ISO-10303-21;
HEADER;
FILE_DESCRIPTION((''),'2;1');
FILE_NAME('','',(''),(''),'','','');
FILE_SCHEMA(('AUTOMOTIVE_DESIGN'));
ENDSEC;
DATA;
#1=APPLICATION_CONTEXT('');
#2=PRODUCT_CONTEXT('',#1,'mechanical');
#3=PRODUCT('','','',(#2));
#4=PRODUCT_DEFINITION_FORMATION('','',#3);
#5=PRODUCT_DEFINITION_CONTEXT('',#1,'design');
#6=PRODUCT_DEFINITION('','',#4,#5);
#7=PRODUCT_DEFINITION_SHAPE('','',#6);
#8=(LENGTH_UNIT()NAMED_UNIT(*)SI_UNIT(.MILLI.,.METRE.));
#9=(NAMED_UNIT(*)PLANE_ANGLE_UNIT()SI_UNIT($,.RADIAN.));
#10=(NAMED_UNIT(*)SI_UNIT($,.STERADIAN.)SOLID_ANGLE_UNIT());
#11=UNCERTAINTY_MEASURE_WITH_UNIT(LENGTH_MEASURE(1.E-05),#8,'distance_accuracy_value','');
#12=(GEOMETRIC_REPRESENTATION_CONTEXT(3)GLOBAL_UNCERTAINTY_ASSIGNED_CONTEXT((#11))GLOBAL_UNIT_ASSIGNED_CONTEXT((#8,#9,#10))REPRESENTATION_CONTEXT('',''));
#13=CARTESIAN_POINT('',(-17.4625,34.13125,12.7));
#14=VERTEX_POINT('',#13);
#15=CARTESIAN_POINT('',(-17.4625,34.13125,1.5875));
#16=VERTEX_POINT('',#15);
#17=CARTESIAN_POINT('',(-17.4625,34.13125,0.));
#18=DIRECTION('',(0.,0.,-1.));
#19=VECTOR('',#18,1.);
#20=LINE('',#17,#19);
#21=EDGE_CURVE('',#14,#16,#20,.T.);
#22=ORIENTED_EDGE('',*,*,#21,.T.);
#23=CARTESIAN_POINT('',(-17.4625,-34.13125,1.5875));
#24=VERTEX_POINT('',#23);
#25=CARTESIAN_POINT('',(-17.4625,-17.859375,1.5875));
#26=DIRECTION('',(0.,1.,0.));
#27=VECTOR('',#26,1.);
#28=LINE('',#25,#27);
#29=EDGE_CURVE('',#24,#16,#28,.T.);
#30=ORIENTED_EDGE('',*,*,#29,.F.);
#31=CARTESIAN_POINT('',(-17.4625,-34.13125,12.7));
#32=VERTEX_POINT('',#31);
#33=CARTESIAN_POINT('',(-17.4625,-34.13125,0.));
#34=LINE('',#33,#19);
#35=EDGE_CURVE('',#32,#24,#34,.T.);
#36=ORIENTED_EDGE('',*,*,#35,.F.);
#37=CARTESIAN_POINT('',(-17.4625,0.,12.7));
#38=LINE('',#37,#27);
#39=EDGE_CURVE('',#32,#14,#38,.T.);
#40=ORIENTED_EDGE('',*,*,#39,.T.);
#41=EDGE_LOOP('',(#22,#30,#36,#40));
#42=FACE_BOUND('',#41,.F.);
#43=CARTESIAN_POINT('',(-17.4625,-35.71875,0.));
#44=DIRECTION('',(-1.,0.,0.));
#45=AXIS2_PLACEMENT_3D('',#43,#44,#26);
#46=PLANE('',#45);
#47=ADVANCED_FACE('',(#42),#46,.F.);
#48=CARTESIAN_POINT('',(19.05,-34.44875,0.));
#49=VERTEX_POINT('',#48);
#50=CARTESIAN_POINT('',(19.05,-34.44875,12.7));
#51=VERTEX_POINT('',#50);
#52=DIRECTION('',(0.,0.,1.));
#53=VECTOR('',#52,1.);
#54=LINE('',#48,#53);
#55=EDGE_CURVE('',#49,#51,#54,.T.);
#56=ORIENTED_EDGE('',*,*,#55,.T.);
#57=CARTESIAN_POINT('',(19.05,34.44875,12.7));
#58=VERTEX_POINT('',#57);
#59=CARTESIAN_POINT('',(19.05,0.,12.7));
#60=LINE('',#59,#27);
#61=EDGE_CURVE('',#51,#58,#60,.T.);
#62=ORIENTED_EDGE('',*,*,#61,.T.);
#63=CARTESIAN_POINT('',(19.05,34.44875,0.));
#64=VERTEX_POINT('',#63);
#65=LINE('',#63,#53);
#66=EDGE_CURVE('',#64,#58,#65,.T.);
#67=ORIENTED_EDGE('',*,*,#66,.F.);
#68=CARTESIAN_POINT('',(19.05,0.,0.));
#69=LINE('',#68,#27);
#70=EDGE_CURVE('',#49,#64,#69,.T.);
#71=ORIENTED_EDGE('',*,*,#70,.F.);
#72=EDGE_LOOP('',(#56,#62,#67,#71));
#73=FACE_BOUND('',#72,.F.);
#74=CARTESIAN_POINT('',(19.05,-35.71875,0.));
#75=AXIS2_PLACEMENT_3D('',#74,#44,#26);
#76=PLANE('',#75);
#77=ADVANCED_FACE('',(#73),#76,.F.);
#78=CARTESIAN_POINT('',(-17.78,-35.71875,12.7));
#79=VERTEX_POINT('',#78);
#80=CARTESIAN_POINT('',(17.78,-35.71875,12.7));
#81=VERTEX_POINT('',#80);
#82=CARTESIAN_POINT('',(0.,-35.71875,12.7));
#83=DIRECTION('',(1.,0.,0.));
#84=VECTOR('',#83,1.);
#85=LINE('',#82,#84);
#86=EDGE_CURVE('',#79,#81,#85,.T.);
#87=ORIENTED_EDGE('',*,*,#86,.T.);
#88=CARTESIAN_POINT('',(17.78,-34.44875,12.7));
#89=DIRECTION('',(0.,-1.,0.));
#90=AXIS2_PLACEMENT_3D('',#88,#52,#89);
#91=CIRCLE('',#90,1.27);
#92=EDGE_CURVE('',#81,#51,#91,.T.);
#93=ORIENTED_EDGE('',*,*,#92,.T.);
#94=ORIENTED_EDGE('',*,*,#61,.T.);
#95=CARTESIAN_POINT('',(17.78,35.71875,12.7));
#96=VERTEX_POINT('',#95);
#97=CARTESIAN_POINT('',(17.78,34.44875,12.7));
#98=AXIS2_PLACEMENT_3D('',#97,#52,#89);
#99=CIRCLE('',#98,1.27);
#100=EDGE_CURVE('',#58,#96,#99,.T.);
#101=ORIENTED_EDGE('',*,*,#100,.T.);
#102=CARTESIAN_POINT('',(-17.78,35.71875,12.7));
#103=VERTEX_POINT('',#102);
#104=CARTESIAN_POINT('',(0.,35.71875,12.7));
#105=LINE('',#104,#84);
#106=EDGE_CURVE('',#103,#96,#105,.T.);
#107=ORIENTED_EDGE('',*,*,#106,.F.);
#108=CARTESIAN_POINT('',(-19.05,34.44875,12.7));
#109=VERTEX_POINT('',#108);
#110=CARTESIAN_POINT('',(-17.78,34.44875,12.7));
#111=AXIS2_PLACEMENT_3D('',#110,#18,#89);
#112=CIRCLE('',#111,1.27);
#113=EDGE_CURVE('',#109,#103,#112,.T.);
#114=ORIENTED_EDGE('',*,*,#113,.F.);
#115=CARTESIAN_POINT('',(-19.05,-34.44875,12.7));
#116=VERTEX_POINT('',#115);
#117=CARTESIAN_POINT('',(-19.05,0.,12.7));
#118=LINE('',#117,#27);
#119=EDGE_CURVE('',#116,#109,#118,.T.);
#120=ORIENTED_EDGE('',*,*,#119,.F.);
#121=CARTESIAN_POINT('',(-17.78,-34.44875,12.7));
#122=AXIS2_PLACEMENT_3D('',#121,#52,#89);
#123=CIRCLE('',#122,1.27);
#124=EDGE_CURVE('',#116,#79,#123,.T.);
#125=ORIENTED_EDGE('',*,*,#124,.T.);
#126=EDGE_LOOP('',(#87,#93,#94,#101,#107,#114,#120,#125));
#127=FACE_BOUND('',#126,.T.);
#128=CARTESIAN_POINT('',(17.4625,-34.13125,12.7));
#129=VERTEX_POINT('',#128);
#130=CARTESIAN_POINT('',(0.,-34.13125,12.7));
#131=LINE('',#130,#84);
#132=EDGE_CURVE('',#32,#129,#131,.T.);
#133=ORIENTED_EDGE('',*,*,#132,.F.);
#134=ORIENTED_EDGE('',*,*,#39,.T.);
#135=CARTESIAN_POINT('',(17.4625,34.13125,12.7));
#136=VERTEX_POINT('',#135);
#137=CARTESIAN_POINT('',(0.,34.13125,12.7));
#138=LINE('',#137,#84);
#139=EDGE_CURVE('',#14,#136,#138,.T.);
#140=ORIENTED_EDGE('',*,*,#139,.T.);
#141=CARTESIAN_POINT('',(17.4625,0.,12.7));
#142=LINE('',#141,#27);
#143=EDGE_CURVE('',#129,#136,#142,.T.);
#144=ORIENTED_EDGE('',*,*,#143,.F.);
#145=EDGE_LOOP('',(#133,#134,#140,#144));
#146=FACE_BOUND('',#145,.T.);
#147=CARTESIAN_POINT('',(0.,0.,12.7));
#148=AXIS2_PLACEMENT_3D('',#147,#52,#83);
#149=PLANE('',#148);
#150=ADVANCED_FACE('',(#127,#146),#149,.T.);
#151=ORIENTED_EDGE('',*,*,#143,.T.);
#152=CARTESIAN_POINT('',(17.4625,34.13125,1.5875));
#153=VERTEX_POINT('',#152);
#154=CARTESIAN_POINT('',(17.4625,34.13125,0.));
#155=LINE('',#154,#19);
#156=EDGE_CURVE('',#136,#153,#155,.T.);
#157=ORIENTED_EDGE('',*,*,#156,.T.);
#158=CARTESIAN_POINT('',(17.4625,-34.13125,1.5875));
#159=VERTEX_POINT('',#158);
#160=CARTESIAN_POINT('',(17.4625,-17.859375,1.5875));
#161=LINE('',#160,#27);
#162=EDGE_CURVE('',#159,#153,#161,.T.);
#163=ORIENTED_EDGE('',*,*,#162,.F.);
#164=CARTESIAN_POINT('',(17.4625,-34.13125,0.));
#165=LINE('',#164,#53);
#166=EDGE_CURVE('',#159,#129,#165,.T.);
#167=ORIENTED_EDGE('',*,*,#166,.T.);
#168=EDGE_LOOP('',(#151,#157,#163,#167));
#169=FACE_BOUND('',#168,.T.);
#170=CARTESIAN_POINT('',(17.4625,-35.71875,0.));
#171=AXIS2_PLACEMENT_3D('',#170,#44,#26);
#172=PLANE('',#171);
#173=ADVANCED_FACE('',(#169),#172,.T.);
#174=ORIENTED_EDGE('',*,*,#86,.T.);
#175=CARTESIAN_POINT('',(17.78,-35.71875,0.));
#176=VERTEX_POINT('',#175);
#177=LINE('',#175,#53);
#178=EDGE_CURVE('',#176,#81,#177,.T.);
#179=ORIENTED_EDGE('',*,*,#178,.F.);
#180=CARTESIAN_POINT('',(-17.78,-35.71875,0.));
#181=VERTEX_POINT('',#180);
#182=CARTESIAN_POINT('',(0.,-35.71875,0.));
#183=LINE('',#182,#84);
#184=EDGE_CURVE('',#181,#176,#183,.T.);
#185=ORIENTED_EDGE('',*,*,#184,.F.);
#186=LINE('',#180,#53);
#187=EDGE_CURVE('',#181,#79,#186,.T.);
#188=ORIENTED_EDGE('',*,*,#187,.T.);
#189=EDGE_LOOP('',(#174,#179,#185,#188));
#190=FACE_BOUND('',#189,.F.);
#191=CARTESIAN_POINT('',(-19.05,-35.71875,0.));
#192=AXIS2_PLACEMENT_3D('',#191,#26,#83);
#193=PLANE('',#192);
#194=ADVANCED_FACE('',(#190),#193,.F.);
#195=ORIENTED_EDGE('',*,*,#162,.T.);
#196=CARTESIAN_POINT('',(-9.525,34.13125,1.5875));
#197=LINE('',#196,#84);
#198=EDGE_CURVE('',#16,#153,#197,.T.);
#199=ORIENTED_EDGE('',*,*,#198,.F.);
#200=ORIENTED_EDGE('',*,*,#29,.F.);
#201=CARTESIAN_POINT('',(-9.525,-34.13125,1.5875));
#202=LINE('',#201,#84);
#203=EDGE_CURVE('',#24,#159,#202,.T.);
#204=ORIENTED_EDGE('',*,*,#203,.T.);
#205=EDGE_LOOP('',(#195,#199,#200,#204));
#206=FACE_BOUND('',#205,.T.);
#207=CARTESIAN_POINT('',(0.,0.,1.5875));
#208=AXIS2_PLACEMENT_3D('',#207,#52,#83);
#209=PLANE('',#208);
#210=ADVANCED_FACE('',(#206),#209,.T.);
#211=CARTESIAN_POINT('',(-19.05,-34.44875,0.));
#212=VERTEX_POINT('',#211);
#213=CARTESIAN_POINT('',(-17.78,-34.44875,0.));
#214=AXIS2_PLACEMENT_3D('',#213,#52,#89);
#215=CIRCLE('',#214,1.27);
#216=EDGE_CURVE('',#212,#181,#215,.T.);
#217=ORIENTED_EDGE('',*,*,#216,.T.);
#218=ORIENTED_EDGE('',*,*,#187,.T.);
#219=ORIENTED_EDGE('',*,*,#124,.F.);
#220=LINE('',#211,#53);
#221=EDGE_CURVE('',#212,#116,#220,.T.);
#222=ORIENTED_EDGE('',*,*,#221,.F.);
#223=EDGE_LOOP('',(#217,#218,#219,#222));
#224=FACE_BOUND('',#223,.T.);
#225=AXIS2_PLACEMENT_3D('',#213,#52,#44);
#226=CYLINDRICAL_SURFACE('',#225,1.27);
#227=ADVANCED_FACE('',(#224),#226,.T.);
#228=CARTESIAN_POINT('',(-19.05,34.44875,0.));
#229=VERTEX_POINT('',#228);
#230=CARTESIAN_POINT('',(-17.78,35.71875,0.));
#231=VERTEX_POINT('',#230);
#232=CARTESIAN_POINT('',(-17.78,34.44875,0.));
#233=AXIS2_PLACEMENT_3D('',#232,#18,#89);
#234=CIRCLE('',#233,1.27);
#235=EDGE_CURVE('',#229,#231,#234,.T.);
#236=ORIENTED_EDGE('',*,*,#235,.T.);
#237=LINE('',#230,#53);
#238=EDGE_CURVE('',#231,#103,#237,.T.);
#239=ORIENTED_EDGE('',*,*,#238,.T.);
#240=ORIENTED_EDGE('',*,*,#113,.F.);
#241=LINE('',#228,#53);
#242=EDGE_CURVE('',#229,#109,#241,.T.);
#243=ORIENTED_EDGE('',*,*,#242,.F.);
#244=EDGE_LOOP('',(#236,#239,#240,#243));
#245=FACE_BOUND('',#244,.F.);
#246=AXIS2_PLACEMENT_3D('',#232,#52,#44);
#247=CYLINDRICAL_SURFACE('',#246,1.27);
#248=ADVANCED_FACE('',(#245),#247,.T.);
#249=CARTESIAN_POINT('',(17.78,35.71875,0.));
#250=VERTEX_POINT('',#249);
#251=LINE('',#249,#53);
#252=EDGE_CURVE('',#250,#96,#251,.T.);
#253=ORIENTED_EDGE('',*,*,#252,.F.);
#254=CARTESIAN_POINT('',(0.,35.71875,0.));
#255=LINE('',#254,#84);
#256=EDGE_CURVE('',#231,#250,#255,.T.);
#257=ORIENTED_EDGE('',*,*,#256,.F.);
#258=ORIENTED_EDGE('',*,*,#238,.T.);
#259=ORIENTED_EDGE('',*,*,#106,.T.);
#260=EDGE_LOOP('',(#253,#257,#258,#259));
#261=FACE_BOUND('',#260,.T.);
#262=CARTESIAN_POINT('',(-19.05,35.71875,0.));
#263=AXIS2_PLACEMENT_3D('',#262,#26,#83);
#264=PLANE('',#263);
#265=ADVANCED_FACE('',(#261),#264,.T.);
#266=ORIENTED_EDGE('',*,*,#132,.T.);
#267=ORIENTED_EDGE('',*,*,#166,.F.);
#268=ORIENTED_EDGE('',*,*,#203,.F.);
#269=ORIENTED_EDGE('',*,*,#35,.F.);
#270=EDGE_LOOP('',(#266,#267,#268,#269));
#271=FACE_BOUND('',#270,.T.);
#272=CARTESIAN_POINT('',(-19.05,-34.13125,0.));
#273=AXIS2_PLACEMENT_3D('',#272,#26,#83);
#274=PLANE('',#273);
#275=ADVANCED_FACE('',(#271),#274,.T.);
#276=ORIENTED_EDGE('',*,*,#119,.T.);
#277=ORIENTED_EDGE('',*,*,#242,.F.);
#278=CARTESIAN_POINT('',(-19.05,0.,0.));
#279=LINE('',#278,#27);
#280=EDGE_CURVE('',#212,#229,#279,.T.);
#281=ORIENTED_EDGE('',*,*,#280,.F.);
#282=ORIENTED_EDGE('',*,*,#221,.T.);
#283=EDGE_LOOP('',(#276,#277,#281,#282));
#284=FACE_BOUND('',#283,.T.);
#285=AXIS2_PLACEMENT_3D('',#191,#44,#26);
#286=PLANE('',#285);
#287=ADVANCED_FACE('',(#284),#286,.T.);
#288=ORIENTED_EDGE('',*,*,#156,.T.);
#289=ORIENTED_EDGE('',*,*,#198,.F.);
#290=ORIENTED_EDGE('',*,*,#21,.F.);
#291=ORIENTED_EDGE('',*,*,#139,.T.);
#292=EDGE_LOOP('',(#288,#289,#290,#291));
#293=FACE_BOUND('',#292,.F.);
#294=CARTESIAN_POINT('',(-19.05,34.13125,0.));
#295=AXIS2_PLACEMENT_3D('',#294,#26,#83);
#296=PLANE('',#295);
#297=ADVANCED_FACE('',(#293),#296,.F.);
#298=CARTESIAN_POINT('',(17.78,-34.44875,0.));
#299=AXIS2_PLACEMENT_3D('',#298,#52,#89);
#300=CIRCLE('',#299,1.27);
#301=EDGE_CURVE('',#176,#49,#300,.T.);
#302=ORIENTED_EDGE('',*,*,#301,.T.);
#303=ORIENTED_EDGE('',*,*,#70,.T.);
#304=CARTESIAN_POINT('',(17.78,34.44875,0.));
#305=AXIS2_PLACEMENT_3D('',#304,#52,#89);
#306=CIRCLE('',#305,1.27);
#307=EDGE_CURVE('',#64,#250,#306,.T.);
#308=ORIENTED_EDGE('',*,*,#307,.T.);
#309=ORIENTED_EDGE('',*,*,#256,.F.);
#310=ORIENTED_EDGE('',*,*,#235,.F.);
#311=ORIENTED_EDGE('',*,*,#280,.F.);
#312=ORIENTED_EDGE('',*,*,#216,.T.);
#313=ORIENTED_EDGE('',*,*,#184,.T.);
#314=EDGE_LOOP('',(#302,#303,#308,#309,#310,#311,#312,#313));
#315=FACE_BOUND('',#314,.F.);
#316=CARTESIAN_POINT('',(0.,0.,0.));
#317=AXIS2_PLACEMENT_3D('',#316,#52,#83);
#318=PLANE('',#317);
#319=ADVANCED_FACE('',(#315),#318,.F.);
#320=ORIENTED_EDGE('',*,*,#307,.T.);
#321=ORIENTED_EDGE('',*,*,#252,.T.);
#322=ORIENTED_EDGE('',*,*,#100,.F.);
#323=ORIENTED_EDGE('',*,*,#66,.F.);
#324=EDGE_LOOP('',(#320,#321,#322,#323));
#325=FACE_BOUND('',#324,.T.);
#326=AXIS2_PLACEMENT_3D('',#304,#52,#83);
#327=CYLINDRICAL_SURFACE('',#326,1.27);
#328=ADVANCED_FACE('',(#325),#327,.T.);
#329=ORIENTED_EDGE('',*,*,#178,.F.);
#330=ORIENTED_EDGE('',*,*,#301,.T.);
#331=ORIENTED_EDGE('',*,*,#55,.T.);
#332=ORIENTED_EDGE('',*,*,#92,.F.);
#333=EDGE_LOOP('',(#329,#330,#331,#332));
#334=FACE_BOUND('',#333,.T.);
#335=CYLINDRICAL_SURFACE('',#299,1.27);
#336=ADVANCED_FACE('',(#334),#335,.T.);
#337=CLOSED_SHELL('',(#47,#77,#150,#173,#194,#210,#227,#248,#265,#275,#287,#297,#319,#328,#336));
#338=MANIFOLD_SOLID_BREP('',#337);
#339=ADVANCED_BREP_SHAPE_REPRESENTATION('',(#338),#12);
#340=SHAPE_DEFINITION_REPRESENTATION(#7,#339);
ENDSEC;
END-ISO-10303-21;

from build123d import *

# Parameters (mm, degrees)
F0_W     = 38.1
F0_H     = 71.4375
F1_DEPTH = 12.7
F2_T     = -1.5875
F3_R     = 1.27


with BuildPart() as f1:
    # F0 (on Top) → F1 (new body)
    with BuildSketch(Plane.XY):
        Rectangle(F0_W, F0_H)
    extrude(amount=F1_DEPTH)

    # F2
    f2_openings = [f1.faces().sort_by_distance(p)[0] for p in [
        (0, 0, 12.7),
    ]]
    offset(amount=F2_T, openings=f2_openings)

    # F3
    f3_edges = [f1.edges().sort_by_distance(p)[0] for p in [
        (-19.05, -35.71875, 6.35),
        (19.05, -35.71875, 6.35),
        (-19.05, 35.71875, 6.35),
        (19.05, 35.71875, 6.35),
    ]]
    fillet(f3_edges, radius=F3_R)


solid = f1.part
